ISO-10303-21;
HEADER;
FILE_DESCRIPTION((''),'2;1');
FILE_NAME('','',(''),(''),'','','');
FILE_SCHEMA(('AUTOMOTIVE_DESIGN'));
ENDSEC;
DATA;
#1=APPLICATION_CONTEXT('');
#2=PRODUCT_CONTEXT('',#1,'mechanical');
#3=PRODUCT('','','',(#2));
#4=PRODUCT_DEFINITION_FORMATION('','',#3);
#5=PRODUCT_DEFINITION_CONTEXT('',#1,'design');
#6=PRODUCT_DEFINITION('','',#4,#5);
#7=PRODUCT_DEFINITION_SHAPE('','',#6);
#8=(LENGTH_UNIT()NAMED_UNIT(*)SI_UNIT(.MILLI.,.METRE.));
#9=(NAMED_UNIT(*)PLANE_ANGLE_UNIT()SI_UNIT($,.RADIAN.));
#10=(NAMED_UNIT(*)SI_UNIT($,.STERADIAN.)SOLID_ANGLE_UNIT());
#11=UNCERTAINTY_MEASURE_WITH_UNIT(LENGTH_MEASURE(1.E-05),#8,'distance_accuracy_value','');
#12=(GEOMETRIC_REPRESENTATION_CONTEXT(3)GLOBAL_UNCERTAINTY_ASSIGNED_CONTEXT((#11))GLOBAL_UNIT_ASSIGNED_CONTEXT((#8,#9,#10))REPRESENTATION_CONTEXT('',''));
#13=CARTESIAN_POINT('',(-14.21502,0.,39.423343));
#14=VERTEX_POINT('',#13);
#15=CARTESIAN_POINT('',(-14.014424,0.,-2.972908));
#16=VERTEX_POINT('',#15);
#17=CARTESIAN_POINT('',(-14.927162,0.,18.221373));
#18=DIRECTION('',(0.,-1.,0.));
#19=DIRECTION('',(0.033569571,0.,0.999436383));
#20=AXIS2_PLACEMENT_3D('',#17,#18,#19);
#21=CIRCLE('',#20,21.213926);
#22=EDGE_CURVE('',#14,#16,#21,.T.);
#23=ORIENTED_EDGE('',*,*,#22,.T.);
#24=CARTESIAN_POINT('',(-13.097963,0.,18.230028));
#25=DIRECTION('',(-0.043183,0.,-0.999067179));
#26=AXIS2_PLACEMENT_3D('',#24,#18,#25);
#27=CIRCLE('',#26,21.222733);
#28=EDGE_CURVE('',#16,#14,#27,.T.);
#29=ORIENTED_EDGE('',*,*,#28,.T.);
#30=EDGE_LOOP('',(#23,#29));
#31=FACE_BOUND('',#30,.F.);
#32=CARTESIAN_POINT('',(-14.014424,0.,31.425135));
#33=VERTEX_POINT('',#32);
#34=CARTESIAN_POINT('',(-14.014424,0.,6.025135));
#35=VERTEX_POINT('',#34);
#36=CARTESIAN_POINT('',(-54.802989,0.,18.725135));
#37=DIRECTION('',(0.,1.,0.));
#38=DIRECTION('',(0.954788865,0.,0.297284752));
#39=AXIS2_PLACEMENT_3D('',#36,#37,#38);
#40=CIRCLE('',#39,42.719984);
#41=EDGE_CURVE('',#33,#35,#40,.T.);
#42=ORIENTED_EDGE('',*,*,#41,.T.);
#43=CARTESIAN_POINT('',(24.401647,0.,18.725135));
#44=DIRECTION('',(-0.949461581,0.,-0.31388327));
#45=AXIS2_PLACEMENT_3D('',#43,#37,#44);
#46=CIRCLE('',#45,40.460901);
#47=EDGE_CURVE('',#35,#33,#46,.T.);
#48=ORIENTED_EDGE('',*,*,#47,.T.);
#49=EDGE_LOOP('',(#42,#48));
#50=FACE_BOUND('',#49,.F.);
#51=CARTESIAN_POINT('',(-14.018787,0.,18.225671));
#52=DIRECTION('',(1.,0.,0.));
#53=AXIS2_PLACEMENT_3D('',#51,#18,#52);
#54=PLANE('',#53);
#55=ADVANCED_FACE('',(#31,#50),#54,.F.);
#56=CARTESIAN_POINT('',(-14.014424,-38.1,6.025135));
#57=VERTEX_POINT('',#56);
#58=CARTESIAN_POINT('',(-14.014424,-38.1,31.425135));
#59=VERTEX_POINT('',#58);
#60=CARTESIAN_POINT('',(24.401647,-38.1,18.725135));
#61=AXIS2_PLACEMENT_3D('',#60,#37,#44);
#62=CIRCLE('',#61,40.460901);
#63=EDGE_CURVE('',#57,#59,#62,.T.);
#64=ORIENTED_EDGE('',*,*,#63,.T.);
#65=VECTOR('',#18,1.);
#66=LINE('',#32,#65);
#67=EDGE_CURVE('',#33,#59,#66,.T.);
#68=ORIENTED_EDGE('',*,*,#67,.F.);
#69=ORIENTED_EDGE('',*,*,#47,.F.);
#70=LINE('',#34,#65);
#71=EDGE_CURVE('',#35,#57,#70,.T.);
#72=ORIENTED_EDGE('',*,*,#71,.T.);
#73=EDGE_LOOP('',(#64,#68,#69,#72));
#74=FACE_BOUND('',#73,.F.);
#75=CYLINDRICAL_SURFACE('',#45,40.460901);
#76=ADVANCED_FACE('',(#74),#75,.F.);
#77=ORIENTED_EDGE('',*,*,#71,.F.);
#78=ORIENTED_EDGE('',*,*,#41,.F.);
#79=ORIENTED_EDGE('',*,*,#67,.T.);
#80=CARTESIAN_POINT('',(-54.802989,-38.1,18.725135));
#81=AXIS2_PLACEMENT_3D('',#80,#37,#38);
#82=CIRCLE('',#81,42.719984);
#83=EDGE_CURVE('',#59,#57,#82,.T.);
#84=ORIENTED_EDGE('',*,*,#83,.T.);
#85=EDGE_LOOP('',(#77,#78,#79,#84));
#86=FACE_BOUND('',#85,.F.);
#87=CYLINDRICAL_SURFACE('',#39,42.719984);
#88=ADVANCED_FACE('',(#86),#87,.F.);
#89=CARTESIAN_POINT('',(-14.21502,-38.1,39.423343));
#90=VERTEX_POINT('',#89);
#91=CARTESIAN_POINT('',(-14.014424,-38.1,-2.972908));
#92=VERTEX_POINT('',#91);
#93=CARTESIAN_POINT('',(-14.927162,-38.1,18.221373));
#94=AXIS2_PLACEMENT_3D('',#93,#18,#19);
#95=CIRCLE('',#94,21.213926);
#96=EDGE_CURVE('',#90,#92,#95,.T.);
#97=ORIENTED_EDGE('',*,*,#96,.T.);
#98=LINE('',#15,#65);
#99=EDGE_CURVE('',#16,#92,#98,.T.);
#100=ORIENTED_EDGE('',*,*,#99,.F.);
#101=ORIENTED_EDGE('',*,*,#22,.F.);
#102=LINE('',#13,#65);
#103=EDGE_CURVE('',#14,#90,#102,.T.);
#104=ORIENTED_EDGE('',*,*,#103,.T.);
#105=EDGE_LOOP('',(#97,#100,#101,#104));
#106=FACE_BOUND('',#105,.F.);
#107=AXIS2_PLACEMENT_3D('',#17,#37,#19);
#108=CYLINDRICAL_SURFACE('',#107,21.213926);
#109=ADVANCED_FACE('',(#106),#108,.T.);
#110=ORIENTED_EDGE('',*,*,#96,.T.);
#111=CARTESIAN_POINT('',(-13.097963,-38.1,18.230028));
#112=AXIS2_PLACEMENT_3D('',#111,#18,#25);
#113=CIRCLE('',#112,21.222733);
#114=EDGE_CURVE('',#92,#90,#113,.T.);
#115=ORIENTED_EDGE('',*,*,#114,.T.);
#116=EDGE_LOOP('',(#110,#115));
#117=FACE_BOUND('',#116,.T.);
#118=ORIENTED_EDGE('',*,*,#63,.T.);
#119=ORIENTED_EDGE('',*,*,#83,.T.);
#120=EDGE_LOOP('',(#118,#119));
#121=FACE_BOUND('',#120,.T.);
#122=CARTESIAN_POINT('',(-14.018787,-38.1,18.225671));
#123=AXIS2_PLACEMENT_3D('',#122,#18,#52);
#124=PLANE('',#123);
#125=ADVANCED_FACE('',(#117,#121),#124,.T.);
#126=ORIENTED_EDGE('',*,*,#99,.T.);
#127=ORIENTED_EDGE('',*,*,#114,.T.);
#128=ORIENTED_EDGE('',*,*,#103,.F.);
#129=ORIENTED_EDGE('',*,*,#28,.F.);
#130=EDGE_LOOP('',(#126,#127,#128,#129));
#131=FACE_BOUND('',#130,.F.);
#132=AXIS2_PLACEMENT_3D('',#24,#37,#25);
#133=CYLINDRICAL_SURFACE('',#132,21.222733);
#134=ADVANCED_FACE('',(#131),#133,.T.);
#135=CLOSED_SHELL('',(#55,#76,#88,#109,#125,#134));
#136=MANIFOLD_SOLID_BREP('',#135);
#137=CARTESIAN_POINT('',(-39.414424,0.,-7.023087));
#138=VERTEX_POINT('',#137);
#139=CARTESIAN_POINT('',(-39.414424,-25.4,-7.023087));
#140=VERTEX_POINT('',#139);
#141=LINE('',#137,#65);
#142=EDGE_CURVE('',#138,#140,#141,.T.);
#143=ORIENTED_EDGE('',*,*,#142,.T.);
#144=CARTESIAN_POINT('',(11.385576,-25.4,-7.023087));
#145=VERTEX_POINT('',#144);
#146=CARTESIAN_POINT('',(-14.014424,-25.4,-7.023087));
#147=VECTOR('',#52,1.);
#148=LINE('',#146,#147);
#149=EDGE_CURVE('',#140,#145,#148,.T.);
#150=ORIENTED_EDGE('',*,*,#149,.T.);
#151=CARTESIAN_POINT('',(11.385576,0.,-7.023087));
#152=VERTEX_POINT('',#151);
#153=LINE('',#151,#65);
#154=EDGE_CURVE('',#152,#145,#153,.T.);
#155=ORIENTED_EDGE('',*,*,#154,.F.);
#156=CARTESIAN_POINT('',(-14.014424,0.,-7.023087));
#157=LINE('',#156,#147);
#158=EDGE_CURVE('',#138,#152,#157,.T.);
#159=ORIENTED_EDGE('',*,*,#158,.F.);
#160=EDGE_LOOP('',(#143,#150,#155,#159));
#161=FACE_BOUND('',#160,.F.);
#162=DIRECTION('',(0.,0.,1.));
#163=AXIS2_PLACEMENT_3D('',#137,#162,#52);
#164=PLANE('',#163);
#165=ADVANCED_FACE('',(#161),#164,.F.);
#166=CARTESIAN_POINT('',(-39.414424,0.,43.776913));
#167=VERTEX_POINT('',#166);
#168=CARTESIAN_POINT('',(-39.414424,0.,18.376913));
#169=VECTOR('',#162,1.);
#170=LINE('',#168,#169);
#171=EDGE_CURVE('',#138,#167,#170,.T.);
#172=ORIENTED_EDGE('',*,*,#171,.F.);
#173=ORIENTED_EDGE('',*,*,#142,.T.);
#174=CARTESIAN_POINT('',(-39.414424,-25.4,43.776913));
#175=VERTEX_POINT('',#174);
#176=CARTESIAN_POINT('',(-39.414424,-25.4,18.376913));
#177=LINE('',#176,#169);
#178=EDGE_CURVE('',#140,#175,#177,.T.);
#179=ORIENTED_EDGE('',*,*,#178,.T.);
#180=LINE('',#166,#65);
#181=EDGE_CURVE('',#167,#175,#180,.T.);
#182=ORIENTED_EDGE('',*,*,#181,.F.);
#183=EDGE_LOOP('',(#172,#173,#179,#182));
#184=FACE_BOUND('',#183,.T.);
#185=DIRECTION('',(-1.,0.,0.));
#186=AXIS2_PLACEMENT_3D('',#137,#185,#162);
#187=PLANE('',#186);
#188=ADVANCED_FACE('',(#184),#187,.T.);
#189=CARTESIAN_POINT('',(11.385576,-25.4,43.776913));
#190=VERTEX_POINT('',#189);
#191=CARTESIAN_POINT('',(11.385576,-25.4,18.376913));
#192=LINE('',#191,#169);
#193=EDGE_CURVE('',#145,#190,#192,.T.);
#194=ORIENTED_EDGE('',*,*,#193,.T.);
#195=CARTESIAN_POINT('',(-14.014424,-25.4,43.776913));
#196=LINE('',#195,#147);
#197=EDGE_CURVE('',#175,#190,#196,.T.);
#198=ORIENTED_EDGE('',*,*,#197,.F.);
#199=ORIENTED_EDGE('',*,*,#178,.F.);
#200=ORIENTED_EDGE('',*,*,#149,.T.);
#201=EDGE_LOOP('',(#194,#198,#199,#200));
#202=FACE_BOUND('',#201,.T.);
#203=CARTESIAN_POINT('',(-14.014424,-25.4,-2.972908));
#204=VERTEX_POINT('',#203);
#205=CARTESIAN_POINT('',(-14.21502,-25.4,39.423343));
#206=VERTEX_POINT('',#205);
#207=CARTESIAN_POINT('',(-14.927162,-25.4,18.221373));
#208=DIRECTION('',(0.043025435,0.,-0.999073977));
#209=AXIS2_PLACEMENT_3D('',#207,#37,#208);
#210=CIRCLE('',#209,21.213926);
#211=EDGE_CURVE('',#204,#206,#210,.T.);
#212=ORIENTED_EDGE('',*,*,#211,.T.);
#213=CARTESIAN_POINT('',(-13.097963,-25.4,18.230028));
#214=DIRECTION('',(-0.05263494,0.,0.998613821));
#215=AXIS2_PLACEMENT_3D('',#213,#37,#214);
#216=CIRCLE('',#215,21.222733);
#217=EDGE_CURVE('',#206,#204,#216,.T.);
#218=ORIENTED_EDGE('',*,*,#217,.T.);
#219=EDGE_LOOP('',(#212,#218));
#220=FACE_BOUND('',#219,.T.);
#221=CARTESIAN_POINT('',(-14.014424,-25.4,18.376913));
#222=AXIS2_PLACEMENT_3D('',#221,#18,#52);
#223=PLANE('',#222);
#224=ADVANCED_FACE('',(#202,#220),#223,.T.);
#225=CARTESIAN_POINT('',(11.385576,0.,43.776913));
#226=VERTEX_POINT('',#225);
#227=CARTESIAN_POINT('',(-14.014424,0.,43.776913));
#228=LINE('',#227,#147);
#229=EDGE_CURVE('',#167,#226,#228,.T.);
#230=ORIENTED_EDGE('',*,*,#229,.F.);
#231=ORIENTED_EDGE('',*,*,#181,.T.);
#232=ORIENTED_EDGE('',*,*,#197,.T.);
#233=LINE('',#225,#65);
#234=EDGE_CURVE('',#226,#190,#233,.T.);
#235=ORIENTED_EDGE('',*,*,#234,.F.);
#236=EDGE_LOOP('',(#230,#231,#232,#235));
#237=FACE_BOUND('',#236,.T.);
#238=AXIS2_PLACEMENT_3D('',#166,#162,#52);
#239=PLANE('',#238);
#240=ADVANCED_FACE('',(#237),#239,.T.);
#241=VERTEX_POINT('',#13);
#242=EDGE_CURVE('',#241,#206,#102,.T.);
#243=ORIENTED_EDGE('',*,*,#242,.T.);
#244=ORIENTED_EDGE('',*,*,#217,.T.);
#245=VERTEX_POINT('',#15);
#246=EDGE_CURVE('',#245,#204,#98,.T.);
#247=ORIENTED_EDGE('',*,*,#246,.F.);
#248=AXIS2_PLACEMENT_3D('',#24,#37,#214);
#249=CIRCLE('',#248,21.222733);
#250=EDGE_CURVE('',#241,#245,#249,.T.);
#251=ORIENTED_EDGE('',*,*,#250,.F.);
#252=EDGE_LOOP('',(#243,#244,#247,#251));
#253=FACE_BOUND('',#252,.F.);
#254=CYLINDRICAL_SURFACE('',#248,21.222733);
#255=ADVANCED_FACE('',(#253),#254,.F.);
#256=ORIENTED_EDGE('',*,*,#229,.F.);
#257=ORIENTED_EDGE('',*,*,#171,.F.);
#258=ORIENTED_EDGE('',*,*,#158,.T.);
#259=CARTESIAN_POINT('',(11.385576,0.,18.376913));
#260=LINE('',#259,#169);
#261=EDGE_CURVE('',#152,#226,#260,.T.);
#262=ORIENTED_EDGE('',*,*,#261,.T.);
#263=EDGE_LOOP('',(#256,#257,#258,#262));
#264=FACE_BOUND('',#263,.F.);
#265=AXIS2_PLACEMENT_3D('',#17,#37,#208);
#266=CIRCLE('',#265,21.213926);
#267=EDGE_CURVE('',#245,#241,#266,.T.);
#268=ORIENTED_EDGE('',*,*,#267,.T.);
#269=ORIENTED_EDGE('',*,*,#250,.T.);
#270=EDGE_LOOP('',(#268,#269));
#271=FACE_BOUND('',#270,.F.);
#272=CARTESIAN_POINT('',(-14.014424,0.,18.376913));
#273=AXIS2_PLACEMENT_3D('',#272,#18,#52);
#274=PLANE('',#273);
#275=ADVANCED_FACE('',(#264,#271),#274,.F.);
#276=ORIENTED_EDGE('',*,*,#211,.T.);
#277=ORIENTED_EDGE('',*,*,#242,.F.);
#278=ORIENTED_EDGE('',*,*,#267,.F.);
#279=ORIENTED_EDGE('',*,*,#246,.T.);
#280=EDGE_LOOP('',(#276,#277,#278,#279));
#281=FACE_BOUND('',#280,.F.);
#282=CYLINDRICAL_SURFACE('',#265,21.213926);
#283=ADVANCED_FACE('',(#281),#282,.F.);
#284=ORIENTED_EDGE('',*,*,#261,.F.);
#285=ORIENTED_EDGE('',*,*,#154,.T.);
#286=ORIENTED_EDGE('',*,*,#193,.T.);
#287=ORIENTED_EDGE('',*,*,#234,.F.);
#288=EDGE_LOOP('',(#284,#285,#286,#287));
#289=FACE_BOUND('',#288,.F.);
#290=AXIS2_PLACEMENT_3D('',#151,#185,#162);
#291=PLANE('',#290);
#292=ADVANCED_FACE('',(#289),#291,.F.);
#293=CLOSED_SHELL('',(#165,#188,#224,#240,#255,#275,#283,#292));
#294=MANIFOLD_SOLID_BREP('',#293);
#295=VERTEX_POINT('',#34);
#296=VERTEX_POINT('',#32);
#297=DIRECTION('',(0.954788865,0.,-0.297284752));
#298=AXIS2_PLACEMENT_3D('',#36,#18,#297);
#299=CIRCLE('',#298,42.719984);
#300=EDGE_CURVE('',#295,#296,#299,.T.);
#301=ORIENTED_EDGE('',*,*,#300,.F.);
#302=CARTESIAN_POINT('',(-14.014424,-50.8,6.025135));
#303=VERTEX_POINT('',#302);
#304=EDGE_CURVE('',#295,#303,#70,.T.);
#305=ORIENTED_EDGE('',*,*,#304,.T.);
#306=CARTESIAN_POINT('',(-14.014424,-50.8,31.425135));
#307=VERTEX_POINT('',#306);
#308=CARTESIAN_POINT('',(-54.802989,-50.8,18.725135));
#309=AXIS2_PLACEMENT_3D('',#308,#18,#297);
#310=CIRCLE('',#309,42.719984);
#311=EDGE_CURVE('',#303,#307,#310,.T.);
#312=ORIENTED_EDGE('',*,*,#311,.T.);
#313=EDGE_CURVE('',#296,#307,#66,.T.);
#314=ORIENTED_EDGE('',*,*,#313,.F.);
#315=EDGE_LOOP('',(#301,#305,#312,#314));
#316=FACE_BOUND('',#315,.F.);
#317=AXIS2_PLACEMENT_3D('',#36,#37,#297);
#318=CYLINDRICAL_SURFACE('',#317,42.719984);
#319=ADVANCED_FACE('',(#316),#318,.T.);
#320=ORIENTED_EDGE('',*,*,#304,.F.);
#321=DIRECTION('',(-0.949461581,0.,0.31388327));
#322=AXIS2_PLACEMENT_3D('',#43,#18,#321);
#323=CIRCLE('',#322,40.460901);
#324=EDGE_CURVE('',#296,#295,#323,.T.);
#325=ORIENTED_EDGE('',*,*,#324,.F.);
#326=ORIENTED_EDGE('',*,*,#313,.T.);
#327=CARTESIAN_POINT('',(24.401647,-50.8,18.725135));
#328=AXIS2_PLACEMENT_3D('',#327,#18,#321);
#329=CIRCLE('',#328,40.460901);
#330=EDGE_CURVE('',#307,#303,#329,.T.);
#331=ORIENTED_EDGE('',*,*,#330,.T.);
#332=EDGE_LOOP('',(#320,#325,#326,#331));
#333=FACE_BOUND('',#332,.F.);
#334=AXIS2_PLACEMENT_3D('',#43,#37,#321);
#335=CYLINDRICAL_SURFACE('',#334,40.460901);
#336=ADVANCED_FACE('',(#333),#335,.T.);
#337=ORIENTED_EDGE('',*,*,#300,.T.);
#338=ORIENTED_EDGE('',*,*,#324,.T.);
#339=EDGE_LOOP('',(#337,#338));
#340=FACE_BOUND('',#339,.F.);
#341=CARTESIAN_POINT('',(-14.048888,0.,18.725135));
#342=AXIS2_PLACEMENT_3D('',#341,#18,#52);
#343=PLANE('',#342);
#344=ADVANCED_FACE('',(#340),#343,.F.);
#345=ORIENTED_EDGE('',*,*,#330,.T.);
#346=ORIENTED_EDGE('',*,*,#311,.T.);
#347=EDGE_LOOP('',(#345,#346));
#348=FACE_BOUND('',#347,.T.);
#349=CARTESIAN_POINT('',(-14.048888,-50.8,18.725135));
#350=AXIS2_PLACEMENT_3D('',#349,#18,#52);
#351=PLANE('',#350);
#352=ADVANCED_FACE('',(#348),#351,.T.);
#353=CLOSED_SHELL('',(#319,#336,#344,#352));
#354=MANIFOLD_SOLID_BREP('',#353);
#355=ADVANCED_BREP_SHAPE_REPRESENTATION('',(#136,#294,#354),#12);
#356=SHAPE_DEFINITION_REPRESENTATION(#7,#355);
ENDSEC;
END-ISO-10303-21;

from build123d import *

# Parameters (mm, degrees)
F0_W     = 50.8
F0_H     = 50.8
F1_DEPTH = 25.4
F2_DEPTH = 50.8
F3_DEPTH = 38.1


with BuildPart() as f1:
    # F0 (on Front) → F1 (new body)
    with BuildSketch(Plane.XZ):
        with Locations((-14.014424, 18.376913)):
            Rectangle(F0_W, F0_H)
        with BuildLine():
            ThreePointArc((-14.014424, -2.972908), (-36.140851, 18.121002), (-14.21502, 39.423343))
            ThreePointArc((-14.21502, 39.423343), (8.124533, 18.330441), (-14.014424, -2.972908))
        make_face(mode=Mode.SUBTRACT)
    extrude(amount=F1_DEPTH)


with BuildPart() as f2:
    # F0 (on Front) → F2 (new body)
    with BuildSketch(Plane.XZ):
        with BuildLine():
            ThreePointArc((-14.014424, 31.425135), (-16.059254, 18.725135), (-14.014424, 6.025135))
            ThreePointArc((-14.014424, 6.025135), (-12.083005, 18.725135), (-14.014424, 31.425135))
        make_face()
    extrude(amount=F2_DEPTH)


with BuildPart() as f3:
    # F0 (on Front) → F3 (new body)
    with BuildSketch(Plane.XZ):
        with BuildLine():
            ThreePointArc((-14.014424, -2.972908), (8.124533, 18.330441), (-14.21502, 39.423343))
            ThreePointArc((-14.21502, 39.423343), (-36.140851, 18.121002), (-14.014424, -2.972908))
        make_face()
        with BuildLine():
            ThreePointArc((-14.014424, 31.425135), (-12.083005, 18.725135), (-14.014424, 6.025135))
            ThreePointArc((-14.014424, 6.025135), (-16.059254, 18.725135), (-14.014424, 31.425135))
        make_face(mode=Mode.SUBTRACT)
    extrude(amount=F3_DEPTH)


solid = Compound([f1.part, f2.part, f3.part])
